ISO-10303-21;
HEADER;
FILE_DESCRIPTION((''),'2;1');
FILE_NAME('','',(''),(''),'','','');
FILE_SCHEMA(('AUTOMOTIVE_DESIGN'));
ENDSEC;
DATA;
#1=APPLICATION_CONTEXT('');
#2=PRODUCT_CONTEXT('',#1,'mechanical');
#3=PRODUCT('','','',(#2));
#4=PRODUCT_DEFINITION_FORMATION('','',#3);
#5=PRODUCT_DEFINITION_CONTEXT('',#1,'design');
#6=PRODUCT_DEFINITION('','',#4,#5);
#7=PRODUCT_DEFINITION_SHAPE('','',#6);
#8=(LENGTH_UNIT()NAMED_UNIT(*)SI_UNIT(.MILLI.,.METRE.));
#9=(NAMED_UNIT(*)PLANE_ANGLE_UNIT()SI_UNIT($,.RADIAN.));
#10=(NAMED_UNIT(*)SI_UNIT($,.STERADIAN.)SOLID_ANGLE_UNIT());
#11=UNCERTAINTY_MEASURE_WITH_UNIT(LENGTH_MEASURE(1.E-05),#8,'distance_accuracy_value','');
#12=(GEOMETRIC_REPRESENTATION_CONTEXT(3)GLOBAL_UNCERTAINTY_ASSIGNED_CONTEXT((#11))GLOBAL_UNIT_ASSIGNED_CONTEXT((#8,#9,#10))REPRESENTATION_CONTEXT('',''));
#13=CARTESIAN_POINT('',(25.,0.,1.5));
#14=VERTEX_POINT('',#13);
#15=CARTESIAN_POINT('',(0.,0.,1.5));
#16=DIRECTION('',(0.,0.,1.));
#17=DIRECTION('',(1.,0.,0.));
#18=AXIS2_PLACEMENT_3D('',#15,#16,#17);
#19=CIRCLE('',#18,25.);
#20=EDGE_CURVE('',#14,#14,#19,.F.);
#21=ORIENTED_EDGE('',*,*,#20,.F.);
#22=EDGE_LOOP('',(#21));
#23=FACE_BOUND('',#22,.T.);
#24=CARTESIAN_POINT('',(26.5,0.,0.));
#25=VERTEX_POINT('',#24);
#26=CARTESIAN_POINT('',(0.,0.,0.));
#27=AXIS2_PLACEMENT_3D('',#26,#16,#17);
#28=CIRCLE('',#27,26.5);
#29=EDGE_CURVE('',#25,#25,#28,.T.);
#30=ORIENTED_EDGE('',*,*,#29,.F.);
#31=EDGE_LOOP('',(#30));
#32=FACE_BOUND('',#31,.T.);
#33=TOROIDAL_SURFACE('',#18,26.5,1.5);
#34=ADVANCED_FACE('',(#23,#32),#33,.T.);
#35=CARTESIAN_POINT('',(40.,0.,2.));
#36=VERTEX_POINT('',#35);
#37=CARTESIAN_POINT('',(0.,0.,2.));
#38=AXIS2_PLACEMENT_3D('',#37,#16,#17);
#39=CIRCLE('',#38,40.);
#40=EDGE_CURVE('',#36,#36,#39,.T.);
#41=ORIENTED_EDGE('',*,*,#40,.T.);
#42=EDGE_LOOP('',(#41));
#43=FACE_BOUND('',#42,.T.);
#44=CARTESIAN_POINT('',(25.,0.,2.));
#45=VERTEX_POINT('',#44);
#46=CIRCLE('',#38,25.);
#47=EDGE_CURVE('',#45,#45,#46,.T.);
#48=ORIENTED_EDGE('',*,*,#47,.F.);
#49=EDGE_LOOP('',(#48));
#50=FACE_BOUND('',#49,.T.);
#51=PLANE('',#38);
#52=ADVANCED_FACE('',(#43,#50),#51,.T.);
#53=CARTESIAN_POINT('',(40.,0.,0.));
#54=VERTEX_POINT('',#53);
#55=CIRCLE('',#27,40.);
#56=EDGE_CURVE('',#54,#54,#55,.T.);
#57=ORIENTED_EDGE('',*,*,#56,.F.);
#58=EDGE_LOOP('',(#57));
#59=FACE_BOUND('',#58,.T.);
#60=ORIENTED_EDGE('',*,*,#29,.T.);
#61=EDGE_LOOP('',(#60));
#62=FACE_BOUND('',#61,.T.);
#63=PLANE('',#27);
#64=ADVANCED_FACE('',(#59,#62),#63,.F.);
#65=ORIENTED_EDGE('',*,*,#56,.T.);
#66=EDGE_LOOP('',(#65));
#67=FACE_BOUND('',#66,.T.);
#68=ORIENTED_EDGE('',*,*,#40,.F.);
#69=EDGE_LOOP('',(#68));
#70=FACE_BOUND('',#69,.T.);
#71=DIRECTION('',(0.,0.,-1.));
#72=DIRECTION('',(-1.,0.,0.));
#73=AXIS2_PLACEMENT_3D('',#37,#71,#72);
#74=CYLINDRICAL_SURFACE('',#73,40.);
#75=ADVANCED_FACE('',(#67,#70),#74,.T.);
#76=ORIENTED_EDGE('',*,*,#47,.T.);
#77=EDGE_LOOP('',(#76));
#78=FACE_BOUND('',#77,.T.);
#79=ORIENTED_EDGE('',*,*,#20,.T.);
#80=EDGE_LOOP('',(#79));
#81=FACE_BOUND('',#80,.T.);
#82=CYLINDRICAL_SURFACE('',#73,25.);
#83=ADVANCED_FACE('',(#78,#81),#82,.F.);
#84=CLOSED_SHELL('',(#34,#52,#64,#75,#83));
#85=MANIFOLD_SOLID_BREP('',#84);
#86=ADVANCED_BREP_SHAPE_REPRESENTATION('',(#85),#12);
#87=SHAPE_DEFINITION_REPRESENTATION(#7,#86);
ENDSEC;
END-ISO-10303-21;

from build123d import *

# Parameters (mm, degrees)
SKETCH1_R           = 40
SKETCH1_R_2         = 25
BOSS_EXTRUDE1_DEPTH = 2
FILLET2_R           = 1.5


with BuildPart() as part:
    # Sketch1 → Boss-Extrude1 (new body)
    with BuildSketch(Plane.XY):
        Circle(SKETCH1_R)
        Circle(SKETCH1_R_2, mode=Mode.SUBTRACT)
    extrude(amount=BOSS_EXTRUDE1_DEPTH)

    # Fillet2
    fillet2_edges = [part.edges().sort_by_distance(p)[0] for p in [
        (-25, 0, 0),
    ]]
    fillet(fillet2_edges, radius=FILLET2_R)


solid = part.part
